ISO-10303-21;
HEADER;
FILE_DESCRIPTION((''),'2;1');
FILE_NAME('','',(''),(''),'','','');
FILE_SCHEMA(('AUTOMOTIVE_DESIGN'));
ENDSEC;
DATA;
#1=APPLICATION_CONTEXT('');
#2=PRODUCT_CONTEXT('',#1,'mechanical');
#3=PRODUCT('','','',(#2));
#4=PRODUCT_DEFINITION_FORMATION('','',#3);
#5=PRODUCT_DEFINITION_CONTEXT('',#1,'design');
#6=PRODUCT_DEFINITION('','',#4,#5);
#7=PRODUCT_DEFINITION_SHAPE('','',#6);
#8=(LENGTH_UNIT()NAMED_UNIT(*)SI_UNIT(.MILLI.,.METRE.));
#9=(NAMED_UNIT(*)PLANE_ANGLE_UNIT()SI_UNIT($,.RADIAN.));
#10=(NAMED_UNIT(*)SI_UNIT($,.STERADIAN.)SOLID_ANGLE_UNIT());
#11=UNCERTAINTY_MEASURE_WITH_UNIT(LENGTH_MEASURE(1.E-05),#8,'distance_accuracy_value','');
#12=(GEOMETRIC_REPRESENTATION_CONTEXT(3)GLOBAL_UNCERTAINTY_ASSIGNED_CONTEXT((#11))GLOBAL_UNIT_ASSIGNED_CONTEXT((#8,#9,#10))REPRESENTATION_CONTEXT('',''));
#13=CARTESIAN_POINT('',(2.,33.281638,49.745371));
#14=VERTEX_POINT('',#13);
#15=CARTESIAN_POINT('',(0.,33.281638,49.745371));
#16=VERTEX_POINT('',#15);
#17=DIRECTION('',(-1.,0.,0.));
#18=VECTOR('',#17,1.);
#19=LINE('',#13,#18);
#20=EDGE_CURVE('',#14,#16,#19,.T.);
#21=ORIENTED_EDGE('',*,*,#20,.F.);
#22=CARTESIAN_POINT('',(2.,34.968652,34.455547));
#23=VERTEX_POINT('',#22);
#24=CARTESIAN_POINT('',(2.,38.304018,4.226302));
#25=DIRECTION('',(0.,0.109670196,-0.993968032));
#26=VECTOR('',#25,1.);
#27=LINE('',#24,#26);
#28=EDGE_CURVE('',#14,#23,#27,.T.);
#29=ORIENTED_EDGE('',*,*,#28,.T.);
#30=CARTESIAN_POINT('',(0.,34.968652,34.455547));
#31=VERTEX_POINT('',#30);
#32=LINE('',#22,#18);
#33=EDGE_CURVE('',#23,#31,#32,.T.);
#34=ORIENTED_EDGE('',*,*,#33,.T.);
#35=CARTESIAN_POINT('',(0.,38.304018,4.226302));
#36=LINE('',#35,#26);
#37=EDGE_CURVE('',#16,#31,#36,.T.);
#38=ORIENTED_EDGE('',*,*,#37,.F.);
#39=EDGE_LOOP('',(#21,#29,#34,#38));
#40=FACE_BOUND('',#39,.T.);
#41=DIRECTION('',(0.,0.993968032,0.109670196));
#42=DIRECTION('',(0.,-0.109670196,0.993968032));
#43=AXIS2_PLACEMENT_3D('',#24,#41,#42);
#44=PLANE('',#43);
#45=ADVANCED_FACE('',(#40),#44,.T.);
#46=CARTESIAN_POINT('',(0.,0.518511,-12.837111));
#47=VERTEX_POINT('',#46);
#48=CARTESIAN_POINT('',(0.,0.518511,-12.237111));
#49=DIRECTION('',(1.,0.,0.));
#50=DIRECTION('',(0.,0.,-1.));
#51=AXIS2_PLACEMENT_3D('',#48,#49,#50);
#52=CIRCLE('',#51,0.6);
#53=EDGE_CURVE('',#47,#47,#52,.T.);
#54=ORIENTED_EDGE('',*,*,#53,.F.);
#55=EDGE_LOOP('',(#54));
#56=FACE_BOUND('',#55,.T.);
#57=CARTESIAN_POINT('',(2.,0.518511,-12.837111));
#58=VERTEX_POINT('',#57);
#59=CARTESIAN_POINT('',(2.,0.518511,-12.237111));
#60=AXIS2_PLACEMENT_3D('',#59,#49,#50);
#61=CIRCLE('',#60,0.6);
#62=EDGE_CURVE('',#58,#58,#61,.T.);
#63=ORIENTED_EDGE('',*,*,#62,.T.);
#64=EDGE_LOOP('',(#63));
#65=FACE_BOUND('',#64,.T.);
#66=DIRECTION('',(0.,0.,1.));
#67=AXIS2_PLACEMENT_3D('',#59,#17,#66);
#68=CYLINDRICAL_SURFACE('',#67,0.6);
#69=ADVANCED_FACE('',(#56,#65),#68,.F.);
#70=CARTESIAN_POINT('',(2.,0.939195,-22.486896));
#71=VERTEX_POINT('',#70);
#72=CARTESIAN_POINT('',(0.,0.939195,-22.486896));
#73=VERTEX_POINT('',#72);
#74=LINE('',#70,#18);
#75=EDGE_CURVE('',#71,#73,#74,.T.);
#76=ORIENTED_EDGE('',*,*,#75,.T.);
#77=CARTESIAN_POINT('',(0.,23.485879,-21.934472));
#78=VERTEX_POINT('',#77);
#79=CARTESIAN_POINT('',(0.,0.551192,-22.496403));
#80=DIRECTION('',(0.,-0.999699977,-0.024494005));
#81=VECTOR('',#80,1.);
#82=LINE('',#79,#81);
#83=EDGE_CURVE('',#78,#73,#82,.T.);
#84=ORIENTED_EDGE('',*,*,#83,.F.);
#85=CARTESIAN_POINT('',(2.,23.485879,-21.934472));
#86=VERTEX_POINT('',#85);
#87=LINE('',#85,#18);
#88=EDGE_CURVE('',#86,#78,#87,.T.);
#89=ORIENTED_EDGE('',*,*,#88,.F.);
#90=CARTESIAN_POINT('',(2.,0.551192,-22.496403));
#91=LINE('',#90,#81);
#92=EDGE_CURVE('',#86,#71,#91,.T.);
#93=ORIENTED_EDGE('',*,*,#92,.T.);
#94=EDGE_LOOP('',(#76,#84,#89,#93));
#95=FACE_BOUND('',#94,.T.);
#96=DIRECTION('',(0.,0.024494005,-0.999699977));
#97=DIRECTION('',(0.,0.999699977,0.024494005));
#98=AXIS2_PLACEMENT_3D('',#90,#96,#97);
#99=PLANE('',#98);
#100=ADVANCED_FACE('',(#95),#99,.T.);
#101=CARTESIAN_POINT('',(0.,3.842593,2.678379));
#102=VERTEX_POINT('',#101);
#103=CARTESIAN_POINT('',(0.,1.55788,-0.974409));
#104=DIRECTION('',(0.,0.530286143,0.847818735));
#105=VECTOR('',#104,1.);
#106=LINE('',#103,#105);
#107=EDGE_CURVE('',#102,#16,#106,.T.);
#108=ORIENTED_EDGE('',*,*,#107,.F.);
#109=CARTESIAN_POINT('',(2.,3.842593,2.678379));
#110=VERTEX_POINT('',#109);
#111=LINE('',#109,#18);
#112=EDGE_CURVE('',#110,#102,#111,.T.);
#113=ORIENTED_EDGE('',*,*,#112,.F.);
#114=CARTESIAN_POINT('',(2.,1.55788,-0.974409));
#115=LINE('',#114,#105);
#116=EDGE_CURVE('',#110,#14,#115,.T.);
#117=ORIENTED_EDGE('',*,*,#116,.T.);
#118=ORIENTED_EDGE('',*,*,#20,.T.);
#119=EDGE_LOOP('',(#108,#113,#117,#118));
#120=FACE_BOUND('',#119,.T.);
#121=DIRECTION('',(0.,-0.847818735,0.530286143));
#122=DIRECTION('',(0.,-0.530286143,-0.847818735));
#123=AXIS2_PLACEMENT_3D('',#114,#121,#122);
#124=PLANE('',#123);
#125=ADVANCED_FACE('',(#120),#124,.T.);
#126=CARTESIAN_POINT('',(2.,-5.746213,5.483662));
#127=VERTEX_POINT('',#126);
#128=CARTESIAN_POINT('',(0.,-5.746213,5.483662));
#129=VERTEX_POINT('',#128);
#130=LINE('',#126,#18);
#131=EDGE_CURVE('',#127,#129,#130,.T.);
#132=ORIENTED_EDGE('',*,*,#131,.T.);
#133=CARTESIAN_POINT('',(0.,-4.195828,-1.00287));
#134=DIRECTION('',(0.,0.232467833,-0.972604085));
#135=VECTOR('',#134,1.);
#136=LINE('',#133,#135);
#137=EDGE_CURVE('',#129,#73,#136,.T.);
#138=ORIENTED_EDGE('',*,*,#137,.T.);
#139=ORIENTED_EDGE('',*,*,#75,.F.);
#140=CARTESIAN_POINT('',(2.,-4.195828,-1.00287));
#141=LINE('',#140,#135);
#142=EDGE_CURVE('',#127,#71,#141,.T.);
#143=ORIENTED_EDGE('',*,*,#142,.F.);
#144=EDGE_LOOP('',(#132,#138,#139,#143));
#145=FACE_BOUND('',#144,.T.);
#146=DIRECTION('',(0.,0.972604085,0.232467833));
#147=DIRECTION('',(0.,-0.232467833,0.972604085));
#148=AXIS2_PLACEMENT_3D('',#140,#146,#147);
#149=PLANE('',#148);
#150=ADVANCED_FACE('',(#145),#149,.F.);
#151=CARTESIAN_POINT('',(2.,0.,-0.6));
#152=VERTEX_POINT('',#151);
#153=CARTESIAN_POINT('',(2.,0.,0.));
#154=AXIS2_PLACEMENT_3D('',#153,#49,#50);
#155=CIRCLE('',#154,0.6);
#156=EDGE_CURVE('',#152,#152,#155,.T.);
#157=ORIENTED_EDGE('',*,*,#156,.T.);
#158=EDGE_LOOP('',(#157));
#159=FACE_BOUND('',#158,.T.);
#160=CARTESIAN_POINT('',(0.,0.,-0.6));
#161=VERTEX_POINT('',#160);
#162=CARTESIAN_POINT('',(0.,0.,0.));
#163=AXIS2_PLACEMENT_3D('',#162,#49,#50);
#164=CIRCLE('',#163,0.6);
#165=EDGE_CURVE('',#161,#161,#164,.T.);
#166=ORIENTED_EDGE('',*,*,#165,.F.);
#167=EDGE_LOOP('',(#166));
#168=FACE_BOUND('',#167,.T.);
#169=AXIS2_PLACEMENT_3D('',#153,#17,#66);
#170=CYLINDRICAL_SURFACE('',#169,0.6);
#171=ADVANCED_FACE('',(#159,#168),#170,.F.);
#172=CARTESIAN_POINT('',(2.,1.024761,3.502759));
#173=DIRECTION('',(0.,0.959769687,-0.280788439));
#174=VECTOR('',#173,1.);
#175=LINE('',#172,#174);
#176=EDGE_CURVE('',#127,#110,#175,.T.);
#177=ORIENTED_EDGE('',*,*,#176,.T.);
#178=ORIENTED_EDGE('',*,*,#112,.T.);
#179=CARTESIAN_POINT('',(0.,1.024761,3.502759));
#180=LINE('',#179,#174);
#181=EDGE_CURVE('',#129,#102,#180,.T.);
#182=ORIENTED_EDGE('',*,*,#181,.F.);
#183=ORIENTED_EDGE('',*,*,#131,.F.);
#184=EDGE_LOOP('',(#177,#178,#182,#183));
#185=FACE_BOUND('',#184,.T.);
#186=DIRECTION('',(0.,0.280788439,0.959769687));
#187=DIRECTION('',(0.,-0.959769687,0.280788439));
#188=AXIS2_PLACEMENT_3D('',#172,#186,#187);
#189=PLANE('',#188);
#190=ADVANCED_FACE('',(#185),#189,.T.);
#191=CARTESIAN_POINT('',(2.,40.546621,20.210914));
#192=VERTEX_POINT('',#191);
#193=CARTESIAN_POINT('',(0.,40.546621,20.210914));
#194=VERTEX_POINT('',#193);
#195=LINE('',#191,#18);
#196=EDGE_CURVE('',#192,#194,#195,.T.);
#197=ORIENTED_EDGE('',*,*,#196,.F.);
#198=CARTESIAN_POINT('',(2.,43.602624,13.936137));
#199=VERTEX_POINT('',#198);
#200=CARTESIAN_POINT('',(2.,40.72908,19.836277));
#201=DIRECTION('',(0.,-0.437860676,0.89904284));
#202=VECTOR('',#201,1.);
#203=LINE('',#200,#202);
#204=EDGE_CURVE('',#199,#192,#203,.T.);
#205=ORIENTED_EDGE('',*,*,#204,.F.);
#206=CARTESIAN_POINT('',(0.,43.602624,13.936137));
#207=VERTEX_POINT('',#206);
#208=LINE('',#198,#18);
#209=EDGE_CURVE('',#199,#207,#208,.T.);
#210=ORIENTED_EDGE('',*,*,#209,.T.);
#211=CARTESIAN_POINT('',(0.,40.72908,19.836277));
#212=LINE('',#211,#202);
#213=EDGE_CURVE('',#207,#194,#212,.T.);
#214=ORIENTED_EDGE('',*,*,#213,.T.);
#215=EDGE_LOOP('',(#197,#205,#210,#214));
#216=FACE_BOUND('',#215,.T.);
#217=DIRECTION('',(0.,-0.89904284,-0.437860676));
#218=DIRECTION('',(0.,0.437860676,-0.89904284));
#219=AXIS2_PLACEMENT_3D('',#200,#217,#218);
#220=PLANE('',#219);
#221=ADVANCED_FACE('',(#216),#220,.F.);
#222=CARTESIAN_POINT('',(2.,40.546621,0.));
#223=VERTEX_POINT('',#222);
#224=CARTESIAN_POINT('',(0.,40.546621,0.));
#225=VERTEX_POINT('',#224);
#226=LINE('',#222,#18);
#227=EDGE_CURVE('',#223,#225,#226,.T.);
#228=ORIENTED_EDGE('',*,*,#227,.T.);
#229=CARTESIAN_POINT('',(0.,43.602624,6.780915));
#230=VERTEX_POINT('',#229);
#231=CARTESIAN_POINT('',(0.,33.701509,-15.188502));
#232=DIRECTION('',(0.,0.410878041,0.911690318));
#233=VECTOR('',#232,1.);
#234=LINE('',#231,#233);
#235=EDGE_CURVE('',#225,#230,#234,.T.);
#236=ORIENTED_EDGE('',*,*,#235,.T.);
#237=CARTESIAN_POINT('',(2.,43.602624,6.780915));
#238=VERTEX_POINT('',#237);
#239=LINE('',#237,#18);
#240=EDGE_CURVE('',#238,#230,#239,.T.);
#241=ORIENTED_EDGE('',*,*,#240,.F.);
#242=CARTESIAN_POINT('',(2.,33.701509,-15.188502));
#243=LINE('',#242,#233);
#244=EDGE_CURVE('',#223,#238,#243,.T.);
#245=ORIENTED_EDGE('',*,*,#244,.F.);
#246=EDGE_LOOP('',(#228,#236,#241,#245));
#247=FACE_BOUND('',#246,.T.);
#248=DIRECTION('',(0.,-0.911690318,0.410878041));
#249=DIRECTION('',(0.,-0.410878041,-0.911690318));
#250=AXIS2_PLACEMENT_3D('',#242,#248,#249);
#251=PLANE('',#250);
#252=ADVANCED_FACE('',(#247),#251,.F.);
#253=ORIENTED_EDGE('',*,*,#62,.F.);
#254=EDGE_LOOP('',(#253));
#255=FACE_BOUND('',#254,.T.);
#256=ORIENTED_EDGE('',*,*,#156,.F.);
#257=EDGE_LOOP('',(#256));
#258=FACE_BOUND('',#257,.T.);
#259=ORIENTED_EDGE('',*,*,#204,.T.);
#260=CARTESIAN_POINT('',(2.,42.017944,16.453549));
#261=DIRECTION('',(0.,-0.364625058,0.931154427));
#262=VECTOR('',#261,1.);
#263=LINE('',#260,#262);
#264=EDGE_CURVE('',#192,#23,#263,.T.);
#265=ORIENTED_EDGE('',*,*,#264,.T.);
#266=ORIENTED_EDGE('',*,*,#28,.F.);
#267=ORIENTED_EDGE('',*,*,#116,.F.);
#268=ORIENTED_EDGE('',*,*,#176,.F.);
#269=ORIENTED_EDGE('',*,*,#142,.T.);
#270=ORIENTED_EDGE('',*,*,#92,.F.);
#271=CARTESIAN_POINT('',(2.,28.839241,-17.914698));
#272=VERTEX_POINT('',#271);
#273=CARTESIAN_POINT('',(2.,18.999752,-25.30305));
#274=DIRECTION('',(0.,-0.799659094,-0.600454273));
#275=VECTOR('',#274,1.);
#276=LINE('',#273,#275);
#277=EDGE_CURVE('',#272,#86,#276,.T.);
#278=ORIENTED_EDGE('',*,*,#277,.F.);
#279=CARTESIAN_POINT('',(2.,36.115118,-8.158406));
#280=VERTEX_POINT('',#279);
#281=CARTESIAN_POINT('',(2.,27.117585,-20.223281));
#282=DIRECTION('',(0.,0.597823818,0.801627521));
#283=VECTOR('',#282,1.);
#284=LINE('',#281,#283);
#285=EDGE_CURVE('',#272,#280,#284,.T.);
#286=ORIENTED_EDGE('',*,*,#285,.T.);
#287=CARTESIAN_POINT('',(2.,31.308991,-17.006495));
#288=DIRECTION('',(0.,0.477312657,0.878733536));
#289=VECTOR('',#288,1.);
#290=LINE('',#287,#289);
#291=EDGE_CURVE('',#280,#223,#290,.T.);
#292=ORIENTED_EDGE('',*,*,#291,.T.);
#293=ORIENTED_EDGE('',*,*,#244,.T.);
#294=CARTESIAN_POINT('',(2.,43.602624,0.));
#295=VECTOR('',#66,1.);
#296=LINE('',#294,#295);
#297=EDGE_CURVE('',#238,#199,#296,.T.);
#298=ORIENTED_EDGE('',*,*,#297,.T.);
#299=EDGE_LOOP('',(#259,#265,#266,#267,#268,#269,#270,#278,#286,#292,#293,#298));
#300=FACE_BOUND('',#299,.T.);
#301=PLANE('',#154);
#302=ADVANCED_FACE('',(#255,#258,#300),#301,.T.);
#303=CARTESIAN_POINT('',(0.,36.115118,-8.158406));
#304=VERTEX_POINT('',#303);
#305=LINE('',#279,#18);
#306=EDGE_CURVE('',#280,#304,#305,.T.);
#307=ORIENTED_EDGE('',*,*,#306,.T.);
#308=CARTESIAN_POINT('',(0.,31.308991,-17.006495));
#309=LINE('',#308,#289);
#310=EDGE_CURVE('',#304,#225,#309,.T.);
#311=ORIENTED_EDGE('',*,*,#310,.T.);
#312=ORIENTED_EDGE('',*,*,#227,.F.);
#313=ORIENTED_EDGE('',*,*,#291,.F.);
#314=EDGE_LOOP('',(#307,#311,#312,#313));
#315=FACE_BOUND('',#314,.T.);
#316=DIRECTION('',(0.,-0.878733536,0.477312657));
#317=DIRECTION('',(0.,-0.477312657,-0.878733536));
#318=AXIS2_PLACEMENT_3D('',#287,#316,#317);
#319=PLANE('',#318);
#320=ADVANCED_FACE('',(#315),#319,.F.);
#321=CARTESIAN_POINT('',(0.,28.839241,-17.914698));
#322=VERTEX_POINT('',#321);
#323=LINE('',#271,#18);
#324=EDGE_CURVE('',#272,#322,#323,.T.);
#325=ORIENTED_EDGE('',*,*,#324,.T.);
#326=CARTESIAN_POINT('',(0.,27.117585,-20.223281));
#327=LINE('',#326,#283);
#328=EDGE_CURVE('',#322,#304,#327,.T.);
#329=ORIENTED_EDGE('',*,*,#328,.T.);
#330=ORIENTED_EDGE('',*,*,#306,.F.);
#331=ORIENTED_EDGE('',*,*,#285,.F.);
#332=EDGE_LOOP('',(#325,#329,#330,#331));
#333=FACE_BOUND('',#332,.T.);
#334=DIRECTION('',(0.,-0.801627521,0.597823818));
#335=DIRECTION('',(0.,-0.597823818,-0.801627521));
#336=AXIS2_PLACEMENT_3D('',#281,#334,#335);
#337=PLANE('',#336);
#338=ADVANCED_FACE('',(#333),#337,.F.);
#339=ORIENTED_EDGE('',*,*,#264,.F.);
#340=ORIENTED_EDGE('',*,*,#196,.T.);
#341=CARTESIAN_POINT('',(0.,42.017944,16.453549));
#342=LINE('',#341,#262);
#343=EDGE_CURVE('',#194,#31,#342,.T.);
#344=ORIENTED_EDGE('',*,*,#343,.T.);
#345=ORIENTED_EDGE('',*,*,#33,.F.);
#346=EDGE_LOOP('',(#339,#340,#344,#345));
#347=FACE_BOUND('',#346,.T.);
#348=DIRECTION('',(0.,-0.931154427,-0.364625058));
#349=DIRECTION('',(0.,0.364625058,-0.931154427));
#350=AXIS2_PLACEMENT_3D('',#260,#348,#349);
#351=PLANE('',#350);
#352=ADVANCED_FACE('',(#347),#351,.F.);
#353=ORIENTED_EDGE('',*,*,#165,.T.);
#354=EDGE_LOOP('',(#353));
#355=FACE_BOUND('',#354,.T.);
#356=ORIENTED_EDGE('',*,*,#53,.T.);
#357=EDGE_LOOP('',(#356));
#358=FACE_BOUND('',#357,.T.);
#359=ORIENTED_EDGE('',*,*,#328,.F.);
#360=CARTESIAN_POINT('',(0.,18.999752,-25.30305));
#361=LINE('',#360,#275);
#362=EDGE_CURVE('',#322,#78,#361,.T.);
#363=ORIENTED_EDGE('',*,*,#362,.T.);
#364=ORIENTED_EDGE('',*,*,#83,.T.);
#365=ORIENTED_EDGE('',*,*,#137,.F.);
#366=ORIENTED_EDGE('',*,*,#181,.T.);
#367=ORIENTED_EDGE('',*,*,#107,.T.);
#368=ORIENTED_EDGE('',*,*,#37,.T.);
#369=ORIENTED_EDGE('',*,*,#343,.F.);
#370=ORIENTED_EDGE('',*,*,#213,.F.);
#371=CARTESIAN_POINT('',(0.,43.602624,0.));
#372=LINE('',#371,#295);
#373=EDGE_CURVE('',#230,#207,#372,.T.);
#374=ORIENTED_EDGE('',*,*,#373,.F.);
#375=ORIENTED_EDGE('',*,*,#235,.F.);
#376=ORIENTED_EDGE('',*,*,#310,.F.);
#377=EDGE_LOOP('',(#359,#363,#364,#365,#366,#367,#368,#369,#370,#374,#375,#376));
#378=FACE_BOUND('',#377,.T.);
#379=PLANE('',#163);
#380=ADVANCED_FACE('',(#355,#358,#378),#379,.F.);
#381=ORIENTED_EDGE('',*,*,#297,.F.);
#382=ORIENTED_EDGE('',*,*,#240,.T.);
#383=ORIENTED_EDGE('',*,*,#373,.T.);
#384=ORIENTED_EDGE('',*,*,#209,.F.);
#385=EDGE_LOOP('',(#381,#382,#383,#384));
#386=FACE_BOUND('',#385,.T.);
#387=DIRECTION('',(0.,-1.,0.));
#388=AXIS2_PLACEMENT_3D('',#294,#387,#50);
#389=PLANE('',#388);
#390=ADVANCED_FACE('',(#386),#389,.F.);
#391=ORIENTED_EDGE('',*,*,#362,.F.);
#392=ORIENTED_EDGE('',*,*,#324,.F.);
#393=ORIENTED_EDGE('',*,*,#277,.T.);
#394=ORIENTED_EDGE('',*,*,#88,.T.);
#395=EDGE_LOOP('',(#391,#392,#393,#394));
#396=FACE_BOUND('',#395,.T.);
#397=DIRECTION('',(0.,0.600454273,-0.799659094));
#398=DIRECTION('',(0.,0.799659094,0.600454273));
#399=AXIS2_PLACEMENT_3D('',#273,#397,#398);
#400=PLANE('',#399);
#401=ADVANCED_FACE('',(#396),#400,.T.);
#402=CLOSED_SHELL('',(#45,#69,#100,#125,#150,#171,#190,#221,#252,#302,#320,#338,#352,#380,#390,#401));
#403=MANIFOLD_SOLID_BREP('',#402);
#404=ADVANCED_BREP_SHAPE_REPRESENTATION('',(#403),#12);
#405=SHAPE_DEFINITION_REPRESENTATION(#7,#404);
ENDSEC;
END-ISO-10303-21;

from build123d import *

# Parameters (mm, degrees)
SKETCH_1_R      = 0.6
EXTRUDE_1_DEPTH = 2


with BuildPart() as part:
    # 草图1 → 凸台-拉伸1 (new body)
    with BuildSketch(Plane(origin=(0, 0, 0), x_dir=(0, 0, -1), z_dir=(1, 0, 0))):
        Polygon((-5.483662069, -5.746212595), (22.48689596, 0.939195285), (21.934471639, 23.485878838), (17.91469757, 28.839240511), (8.158406363, 36.115117525), (0, 40.546620882), (-6.780914547, 43.602624476), (-13.936136859, 43.602624476), (-20.210913974, 40.546620882), (-34.455547379, 34.968652147), (-49.745371225, 33.281638151), (-2.678378839, 3.842593198), align=None)
        Circle(SKETCH_1_R, mode=Mode.SUBTRACT)
        with Locations((12.23711119, 0.518510559)):
            Circle(SKETCH_1_R, mode=Mode.SUBTRACT)
    extrude(amount=EXTRUDE_1_DEPTH)


solid = part.part
